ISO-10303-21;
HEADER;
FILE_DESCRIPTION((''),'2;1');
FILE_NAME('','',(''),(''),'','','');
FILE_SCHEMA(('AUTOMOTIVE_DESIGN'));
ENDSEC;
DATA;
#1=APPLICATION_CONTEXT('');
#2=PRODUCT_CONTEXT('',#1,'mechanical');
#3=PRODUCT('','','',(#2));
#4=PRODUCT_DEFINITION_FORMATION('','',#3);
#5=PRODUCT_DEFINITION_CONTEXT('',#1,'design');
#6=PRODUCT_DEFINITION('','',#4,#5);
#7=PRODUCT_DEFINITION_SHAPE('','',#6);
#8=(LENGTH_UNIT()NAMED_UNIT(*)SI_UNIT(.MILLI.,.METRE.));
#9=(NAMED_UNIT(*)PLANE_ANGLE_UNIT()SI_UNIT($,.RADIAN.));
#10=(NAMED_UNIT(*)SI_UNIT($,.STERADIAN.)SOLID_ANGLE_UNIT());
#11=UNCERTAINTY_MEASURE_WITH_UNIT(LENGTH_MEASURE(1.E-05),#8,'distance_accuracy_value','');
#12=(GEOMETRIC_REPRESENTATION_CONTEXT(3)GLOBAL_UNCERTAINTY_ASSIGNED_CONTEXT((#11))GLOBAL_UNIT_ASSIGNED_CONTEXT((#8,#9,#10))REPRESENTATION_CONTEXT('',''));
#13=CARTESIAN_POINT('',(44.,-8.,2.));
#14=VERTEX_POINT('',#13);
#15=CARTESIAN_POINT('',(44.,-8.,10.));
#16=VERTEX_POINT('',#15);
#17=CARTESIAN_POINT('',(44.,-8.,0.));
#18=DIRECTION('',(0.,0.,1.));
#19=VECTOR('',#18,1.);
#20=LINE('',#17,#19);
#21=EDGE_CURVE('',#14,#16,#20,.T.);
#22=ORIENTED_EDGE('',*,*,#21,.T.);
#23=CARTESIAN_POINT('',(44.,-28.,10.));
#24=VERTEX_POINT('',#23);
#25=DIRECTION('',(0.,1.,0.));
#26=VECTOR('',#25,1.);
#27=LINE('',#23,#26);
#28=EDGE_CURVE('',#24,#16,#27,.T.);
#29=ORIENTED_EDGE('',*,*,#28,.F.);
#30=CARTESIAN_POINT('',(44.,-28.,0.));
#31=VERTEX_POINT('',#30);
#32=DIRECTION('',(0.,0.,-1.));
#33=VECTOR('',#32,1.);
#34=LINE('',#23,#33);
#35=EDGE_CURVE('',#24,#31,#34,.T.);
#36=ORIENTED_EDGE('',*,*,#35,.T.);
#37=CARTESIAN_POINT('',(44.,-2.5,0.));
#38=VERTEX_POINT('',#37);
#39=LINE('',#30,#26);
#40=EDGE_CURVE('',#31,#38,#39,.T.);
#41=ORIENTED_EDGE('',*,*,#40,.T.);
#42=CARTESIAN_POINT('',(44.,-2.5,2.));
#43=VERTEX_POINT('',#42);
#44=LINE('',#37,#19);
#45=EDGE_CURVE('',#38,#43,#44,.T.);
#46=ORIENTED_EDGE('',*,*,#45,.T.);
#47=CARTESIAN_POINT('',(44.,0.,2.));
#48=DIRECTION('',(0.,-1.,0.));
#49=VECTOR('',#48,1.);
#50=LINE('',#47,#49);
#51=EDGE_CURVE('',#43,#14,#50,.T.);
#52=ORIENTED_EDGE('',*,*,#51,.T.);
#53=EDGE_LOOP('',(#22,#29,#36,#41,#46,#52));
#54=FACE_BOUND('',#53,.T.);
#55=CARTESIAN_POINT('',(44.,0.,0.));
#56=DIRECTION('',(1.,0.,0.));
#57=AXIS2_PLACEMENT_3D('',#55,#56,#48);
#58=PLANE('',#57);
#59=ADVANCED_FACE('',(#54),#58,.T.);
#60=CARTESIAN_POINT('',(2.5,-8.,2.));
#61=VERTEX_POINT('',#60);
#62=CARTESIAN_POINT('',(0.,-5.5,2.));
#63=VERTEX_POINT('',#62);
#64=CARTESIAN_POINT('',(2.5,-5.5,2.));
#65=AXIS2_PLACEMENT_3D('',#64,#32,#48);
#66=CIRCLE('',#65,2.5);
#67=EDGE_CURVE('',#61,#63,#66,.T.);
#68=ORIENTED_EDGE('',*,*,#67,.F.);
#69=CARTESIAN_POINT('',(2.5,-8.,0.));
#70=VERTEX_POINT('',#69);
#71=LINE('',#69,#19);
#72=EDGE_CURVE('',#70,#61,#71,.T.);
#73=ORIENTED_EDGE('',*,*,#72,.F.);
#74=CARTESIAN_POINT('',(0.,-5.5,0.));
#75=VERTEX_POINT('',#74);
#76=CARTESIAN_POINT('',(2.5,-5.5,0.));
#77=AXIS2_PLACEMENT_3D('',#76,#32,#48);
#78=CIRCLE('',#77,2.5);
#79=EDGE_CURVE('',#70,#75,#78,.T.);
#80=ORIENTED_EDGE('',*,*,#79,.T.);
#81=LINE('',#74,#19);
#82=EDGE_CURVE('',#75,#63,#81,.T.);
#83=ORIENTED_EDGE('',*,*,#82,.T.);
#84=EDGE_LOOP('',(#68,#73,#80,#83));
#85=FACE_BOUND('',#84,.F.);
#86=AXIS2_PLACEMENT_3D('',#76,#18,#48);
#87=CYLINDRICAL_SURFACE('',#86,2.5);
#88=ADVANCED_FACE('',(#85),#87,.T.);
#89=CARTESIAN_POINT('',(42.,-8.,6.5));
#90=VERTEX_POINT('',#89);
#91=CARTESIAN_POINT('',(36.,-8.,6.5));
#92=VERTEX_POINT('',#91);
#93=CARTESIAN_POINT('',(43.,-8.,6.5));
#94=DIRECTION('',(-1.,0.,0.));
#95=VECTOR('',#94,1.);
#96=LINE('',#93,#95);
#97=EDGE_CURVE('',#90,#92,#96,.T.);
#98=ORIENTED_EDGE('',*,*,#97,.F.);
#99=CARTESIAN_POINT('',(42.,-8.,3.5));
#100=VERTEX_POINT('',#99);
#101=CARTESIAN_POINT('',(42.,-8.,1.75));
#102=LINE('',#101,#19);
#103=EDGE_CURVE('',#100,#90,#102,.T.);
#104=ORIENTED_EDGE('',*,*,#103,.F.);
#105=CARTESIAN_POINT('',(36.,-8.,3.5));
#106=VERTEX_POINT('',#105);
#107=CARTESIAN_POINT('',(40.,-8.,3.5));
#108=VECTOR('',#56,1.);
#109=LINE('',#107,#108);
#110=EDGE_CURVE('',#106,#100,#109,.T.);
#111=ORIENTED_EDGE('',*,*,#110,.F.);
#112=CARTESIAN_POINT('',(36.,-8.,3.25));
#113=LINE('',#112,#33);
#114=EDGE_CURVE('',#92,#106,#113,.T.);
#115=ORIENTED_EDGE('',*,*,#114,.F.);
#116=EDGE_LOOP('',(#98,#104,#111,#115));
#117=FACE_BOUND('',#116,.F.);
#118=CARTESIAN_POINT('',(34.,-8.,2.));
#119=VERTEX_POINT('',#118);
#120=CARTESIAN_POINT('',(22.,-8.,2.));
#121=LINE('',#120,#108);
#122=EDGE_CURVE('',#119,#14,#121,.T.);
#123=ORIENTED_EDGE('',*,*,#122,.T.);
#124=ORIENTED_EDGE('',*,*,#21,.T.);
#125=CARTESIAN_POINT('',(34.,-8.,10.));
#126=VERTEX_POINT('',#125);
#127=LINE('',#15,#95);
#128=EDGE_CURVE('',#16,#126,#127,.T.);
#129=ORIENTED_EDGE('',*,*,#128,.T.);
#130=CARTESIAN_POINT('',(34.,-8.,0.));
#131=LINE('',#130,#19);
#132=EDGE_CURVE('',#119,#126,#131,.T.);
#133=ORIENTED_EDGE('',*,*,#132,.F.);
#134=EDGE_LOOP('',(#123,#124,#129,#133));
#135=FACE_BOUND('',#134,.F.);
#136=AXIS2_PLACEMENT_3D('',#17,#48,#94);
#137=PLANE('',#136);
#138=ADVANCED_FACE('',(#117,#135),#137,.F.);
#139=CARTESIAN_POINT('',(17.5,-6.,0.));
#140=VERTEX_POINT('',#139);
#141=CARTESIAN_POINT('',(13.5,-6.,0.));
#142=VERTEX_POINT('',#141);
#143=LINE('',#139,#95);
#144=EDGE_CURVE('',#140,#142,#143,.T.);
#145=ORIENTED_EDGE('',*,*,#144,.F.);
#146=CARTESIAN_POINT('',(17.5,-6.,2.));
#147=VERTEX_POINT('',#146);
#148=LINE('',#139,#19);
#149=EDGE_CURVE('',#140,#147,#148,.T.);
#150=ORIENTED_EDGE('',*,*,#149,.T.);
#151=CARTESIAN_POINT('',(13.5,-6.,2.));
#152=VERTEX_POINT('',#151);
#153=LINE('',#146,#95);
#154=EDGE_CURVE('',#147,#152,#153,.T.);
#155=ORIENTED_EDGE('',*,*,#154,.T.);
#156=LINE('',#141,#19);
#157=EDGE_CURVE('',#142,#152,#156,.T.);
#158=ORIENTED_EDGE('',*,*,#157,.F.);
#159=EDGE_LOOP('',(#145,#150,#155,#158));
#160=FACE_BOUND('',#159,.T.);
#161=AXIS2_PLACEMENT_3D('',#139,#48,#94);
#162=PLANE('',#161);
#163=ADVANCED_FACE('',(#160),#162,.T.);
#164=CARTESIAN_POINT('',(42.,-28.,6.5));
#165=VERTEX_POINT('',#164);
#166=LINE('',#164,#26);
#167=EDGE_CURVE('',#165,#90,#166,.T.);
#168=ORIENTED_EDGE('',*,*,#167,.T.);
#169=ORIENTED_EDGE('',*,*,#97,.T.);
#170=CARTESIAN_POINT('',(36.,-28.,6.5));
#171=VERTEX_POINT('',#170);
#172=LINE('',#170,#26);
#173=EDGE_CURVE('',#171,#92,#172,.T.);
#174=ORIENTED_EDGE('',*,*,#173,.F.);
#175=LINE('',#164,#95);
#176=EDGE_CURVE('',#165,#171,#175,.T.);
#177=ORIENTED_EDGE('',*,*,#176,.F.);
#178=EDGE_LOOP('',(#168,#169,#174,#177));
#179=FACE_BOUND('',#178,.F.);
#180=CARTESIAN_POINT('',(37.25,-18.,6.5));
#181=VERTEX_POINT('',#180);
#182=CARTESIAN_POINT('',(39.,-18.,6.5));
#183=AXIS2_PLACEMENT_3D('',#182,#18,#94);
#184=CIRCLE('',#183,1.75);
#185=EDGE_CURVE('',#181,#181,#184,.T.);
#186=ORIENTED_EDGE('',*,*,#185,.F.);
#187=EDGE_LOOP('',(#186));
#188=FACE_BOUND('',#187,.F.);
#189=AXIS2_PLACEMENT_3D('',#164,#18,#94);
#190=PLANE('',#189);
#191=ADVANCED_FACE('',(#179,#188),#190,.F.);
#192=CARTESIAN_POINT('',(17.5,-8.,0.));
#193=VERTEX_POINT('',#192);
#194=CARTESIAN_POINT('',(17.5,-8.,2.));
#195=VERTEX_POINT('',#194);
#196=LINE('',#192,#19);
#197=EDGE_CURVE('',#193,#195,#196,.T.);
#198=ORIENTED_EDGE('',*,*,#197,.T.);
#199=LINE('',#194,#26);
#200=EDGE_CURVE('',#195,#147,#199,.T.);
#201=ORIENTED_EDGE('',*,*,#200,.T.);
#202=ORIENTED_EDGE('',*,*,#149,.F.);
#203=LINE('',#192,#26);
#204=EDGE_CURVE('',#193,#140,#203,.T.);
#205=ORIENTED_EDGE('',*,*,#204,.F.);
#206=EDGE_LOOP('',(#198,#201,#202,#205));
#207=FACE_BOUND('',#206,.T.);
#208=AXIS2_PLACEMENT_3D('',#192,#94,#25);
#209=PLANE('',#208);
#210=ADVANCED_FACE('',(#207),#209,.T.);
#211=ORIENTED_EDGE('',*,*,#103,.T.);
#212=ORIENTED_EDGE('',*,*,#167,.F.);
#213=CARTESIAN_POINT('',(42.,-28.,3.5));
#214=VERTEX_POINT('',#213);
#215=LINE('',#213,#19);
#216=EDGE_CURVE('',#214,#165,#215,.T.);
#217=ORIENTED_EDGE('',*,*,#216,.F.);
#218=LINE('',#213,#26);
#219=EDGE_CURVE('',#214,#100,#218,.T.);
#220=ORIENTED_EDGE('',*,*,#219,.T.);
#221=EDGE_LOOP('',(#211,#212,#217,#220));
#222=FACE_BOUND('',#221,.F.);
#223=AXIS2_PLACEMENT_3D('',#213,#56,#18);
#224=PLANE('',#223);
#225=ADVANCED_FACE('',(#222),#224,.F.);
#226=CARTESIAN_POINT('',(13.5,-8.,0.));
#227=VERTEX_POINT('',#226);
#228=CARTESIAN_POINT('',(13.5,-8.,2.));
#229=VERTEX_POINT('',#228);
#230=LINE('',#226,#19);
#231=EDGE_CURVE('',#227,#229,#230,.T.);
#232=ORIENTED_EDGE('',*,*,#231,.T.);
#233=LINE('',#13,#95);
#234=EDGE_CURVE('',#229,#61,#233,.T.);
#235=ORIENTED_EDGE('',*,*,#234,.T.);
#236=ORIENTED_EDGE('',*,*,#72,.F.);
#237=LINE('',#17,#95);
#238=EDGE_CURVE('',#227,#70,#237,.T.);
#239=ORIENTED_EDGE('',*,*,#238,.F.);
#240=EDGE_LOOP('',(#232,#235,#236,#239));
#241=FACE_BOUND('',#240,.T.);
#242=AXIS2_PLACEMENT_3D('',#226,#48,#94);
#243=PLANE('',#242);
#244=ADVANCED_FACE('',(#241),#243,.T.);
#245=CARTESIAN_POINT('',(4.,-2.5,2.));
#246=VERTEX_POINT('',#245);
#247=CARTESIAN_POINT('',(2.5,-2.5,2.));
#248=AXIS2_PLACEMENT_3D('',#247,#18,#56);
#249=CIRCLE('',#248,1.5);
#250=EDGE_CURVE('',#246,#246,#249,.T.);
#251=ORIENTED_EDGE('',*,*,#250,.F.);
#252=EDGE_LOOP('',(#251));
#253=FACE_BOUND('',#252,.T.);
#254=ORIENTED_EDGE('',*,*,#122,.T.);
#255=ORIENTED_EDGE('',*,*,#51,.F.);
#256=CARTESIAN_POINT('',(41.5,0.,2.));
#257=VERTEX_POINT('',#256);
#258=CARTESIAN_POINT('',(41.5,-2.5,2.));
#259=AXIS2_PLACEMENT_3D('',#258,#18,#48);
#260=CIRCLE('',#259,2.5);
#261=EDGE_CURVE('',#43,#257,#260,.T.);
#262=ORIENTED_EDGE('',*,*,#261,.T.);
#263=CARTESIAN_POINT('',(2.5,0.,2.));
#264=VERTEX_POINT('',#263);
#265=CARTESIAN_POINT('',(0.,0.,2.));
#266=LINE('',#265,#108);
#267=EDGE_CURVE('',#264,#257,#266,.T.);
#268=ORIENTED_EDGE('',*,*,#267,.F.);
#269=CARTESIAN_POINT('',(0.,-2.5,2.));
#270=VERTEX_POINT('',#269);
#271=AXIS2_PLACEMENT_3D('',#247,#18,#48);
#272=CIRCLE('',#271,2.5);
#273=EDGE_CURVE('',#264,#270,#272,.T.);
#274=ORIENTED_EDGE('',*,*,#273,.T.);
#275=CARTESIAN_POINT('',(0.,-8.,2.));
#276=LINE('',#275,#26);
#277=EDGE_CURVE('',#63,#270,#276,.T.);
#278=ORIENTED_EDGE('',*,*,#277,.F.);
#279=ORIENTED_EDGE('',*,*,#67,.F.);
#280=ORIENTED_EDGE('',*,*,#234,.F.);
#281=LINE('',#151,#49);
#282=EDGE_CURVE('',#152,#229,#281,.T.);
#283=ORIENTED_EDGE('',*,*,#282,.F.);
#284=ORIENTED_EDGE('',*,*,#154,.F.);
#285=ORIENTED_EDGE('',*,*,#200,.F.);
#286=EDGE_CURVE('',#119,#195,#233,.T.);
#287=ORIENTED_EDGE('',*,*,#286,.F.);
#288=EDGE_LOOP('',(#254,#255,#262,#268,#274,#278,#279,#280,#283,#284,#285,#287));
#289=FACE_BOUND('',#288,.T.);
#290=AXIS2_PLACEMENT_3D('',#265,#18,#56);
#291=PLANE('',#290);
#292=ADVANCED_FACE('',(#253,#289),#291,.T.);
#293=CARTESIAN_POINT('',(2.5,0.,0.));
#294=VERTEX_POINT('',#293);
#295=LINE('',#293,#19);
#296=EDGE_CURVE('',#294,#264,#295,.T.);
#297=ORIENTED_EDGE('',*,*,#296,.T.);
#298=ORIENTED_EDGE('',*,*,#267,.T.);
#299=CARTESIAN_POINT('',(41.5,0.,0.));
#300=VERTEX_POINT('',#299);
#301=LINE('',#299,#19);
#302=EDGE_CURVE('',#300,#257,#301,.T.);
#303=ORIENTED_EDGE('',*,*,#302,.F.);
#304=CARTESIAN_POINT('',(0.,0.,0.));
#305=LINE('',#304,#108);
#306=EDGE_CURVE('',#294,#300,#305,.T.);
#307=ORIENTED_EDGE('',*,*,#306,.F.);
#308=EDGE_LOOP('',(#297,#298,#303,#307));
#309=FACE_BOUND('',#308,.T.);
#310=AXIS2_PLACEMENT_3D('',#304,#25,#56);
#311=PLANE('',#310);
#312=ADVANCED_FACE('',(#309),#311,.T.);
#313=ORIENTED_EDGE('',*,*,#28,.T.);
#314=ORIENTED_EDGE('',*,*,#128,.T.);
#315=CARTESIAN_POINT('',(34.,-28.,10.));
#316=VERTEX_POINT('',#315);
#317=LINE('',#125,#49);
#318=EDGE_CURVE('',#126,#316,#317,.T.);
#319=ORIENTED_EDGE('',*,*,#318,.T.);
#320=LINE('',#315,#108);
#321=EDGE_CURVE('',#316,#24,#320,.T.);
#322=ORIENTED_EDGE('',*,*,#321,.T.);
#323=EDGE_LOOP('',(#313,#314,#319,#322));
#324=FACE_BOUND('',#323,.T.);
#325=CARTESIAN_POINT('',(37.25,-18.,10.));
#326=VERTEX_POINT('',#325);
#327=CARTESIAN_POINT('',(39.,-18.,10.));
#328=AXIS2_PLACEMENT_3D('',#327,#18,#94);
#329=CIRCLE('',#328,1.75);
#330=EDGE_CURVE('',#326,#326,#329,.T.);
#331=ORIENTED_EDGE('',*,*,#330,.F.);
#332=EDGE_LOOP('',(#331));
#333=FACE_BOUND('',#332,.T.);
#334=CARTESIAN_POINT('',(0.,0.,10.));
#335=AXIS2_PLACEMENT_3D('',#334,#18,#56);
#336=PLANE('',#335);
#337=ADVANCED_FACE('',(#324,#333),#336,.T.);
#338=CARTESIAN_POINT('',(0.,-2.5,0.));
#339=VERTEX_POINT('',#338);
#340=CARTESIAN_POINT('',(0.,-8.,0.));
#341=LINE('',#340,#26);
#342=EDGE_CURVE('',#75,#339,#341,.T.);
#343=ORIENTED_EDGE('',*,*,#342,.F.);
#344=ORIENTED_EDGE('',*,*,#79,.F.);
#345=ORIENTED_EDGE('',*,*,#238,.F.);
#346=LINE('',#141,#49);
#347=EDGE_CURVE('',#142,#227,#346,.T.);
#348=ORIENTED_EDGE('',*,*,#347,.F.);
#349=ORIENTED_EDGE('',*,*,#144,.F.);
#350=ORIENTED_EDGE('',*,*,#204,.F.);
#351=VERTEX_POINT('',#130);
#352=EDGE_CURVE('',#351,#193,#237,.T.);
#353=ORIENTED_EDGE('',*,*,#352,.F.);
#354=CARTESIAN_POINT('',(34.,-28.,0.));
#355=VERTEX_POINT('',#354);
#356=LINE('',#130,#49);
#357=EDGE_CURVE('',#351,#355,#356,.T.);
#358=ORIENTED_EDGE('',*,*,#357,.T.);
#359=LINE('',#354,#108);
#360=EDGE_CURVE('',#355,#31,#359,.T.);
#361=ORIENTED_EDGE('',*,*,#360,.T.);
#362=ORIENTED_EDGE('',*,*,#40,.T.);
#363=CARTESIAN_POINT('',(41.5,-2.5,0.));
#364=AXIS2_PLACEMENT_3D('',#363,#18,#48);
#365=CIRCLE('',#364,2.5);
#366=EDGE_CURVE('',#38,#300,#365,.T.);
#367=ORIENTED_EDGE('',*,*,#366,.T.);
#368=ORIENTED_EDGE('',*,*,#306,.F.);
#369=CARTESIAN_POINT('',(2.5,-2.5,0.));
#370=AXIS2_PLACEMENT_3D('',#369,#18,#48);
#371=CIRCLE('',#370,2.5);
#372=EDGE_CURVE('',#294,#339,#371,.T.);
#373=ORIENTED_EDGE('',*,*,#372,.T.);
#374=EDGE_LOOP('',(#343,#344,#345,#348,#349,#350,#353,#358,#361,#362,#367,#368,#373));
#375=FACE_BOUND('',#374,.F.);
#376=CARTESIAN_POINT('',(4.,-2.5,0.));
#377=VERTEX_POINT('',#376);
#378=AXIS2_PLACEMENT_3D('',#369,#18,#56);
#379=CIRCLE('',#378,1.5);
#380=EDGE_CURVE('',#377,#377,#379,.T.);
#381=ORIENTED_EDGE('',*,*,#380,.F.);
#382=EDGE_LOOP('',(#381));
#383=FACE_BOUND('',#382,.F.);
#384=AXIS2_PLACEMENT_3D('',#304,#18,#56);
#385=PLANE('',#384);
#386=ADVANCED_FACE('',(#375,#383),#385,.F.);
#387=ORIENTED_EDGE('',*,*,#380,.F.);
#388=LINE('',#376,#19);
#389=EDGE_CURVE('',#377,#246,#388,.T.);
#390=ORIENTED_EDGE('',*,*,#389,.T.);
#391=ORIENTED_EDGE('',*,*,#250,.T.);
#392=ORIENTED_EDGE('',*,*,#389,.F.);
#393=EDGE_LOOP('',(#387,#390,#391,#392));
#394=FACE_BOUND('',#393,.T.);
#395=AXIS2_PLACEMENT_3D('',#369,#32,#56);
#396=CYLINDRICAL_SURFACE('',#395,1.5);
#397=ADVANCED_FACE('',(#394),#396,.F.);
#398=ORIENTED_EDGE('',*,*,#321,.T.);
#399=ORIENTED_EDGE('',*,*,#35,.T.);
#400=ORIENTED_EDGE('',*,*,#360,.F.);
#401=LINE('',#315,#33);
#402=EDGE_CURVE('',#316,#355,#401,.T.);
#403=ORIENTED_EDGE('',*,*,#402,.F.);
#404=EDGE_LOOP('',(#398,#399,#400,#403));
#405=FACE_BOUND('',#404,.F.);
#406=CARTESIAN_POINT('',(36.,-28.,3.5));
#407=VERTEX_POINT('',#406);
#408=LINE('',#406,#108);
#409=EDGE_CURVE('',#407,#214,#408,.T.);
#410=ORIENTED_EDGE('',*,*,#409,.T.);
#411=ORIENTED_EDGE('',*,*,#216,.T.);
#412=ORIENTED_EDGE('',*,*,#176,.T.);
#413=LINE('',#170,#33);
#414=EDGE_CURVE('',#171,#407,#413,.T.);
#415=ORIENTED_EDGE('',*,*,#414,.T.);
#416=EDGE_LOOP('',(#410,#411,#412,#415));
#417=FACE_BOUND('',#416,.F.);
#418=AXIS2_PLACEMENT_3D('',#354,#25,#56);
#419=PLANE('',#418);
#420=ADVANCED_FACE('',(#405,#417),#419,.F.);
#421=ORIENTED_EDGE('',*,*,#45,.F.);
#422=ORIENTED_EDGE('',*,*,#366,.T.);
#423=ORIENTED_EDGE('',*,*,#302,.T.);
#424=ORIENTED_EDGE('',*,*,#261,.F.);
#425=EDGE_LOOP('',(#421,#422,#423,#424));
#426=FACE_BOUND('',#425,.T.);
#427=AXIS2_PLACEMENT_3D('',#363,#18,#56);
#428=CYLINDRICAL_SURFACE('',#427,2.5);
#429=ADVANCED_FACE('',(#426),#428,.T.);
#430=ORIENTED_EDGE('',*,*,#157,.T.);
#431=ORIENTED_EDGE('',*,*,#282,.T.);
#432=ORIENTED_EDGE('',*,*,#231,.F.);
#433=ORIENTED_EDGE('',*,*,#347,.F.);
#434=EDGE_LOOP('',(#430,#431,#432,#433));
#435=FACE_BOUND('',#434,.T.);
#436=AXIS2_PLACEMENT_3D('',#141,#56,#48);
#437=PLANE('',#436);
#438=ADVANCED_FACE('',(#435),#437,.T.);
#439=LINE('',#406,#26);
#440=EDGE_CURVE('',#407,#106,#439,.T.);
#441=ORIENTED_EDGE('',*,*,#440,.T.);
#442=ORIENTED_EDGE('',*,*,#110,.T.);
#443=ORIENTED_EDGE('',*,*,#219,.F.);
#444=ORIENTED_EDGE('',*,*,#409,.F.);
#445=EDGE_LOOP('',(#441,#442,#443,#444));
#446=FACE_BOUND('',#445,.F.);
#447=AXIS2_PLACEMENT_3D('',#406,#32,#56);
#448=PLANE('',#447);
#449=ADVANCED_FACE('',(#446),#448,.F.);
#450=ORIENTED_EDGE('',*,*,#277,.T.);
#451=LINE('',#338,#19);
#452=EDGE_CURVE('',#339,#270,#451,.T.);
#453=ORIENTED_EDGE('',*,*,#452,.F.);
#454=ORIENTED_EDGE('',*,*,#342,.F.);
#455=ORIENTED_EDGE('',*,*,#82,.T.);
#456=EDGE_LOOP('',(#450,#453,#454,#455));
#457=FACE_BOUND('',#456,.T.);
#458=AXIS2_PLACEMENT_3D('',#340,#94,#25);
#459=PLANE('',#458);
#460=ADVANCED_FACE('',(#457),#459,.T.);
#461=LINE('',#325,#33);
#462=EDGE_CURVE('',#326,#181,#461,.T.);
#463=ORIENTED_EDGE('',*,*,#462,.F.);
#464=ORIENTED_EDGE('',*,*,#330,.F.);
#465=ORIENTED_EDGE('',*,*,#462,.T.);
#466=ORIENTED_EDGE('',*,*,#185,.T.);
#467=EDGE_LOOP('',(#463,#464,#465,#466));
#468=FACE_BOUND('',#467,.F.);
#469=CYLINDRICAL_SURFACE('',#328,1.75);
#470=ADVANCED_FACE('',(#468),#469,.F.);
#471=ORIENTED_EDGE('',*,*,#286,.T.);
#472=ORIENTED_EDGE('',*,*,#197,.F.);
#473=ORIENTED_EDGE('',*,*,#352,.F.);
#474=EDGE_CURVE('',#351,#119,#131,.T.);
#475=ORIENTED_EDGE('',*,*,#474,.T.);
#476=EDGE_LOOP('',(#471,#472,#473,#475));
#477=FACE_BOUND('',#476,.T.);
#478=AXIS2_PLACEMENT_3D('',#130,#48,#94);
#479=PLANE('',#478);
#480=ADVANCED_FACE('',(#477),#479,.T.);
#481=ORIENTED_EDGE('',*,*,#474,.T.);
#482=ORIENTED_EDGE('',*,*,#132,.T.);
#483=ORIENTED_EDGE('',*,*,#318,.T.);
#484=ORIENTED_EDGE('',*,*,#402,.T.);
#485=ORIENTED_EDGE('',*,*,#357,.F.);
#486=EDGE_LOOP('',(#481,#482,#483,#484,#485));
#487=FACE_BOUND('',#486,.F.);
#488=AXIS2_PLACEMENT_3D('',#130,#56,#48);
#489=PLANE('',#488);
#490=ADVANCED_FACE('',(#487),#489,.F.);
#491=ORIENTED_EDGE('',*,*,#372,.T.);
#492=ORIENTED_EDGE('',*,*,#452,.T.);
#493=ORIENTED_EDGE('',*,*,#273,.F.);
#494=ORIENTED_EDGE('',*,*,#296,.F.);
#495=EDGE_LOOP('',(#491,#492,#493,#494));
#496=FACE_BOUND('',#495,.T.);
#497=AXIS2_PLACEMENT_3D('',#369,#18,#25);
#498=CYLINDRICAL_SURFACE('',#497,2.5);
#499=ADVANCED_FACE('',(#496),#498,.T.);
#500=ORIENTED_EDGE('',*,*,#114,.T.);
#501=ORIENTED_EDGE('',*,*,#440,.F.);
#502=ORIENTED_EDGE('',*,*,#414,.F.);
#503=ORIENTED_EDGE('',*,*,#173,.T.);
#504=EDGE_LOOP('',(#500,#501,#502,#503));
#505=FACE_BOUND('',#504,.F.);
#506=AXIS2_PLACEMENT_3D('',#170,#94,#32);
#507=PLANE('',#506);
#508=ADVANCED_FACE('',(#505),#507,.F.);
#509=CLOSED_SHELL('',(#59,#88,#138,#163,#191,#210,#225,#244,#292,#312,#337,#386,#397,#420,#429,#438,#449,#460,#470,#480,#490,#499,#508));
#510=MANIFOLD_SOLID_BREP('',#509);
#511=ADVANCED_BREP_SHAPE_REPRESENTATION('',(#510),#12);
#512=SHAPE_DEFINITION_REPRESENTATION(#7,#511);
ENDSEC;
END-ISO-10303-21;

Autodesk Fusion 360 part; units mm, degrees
sketch "Sketch1" plane through (0, 0, 0) normal (0, 0, 1) x (1, 0, 0)
  line L0 (0, 0) -> (44, 0)
  line L1 (44, 0) -> (44, -8)
  line L2 (44, -8) -> (0, -8)
  line L3 (0, -8) -> (0, 0)
  line L4 (44, -8) -> (34, -8)
  line L5 (34, -8) -> (34, -28)
  line L6 (34, -28) -> (44, -28)
  line L7 (44, -28) -> (44, -8)
  circle A0 centre (2.5, -2.5) radius 1.5
  line L8 (2.5, -2.5) -> (2.5, 0) construction
  line L9 (2.5, -2.5) -> (0, -2.5) construction
  line L10 (13.5, -8) -> (17.5, -8)
  line L11 (17.5, -8) -> (17.5, -6)
  line L12 (17.5, -6) -> (13.5, -6)
  line L13 (13.5, -6) -> (13.5, -8)
  point P0 (15.5, -6)
  dimension "d1" = 3
  dimension "d2" = 2.5
  dimension "d3" = 8
  dimension "d4" = 13
  dimension "d5" = 2
  dimension "d6" = 4
  dimension "d7" = 44
  dimension "d9" = 20
  dimension "d23" = 34
extrude "Extrude1" add sketch "Sketch1" along normal blind 2 contours L0 L1 L2 L3 L4 L11 L12 L13 | L2 L4 L5 L6 L7
extrude "Extrude2" add sketch "Sketch1" along normal blind 10 contours L2 L4 L5 L6 L7
fillet "Fillet1" radius 2.5 3 edges at (0, 0, 1) (0, -8, 1) (44, 0, 1)
sketch "Sketch2" plane through (0, -28, 0) normal (0, -1, 0) x (1, 0, 0)
  line L0 (34, 0) -> (44, 0)
  line L1 (44, 0) -> (44, 10)
  line L2 (44, 10) -> (34, 10)
  line L3 (34, 10) -> (34, 0)
  line L4 (34, 10) -> (44, 0) construction
  line L5 (36, 3.5) -> (42, 6.5) construction
  line L6 (36, 3.5) -> (42, 3.5)
  line L7 (42, 3.5) -> (42, 6.5)
  line L8 (42, 6.5) -> (36, 6.5)
  line L9 (36, 6.5) -> (36, 3.5)
  dimension "d17" = 6
  dimension "d18" = 3
extrude "Extrude3" cut sketch "Sketch2" against normal through all contours L6 L7 L8 L9
sketch "Sketch3" plane through (0, 0, 10) normal (0, 0, 1) x (-1, 0, 0)
  line L0 (-44, 28) -> (-44, 8)
  line L1 (-44, 8) -> (-34, 8)
  line L2 (-34, 8) -> (-34, 28)
  line L3 (-34, 28) -> (-44, 28)
  line L4 (-34, 8) -> (-44, 28) construction
  circle A0 centre (-39, 18) radius 1.75
  dimension "d20" = 3.5
extrude "Extrude4" cut sketch "Sketch3" against normal up to surface (6.5 mm away) contours A0
